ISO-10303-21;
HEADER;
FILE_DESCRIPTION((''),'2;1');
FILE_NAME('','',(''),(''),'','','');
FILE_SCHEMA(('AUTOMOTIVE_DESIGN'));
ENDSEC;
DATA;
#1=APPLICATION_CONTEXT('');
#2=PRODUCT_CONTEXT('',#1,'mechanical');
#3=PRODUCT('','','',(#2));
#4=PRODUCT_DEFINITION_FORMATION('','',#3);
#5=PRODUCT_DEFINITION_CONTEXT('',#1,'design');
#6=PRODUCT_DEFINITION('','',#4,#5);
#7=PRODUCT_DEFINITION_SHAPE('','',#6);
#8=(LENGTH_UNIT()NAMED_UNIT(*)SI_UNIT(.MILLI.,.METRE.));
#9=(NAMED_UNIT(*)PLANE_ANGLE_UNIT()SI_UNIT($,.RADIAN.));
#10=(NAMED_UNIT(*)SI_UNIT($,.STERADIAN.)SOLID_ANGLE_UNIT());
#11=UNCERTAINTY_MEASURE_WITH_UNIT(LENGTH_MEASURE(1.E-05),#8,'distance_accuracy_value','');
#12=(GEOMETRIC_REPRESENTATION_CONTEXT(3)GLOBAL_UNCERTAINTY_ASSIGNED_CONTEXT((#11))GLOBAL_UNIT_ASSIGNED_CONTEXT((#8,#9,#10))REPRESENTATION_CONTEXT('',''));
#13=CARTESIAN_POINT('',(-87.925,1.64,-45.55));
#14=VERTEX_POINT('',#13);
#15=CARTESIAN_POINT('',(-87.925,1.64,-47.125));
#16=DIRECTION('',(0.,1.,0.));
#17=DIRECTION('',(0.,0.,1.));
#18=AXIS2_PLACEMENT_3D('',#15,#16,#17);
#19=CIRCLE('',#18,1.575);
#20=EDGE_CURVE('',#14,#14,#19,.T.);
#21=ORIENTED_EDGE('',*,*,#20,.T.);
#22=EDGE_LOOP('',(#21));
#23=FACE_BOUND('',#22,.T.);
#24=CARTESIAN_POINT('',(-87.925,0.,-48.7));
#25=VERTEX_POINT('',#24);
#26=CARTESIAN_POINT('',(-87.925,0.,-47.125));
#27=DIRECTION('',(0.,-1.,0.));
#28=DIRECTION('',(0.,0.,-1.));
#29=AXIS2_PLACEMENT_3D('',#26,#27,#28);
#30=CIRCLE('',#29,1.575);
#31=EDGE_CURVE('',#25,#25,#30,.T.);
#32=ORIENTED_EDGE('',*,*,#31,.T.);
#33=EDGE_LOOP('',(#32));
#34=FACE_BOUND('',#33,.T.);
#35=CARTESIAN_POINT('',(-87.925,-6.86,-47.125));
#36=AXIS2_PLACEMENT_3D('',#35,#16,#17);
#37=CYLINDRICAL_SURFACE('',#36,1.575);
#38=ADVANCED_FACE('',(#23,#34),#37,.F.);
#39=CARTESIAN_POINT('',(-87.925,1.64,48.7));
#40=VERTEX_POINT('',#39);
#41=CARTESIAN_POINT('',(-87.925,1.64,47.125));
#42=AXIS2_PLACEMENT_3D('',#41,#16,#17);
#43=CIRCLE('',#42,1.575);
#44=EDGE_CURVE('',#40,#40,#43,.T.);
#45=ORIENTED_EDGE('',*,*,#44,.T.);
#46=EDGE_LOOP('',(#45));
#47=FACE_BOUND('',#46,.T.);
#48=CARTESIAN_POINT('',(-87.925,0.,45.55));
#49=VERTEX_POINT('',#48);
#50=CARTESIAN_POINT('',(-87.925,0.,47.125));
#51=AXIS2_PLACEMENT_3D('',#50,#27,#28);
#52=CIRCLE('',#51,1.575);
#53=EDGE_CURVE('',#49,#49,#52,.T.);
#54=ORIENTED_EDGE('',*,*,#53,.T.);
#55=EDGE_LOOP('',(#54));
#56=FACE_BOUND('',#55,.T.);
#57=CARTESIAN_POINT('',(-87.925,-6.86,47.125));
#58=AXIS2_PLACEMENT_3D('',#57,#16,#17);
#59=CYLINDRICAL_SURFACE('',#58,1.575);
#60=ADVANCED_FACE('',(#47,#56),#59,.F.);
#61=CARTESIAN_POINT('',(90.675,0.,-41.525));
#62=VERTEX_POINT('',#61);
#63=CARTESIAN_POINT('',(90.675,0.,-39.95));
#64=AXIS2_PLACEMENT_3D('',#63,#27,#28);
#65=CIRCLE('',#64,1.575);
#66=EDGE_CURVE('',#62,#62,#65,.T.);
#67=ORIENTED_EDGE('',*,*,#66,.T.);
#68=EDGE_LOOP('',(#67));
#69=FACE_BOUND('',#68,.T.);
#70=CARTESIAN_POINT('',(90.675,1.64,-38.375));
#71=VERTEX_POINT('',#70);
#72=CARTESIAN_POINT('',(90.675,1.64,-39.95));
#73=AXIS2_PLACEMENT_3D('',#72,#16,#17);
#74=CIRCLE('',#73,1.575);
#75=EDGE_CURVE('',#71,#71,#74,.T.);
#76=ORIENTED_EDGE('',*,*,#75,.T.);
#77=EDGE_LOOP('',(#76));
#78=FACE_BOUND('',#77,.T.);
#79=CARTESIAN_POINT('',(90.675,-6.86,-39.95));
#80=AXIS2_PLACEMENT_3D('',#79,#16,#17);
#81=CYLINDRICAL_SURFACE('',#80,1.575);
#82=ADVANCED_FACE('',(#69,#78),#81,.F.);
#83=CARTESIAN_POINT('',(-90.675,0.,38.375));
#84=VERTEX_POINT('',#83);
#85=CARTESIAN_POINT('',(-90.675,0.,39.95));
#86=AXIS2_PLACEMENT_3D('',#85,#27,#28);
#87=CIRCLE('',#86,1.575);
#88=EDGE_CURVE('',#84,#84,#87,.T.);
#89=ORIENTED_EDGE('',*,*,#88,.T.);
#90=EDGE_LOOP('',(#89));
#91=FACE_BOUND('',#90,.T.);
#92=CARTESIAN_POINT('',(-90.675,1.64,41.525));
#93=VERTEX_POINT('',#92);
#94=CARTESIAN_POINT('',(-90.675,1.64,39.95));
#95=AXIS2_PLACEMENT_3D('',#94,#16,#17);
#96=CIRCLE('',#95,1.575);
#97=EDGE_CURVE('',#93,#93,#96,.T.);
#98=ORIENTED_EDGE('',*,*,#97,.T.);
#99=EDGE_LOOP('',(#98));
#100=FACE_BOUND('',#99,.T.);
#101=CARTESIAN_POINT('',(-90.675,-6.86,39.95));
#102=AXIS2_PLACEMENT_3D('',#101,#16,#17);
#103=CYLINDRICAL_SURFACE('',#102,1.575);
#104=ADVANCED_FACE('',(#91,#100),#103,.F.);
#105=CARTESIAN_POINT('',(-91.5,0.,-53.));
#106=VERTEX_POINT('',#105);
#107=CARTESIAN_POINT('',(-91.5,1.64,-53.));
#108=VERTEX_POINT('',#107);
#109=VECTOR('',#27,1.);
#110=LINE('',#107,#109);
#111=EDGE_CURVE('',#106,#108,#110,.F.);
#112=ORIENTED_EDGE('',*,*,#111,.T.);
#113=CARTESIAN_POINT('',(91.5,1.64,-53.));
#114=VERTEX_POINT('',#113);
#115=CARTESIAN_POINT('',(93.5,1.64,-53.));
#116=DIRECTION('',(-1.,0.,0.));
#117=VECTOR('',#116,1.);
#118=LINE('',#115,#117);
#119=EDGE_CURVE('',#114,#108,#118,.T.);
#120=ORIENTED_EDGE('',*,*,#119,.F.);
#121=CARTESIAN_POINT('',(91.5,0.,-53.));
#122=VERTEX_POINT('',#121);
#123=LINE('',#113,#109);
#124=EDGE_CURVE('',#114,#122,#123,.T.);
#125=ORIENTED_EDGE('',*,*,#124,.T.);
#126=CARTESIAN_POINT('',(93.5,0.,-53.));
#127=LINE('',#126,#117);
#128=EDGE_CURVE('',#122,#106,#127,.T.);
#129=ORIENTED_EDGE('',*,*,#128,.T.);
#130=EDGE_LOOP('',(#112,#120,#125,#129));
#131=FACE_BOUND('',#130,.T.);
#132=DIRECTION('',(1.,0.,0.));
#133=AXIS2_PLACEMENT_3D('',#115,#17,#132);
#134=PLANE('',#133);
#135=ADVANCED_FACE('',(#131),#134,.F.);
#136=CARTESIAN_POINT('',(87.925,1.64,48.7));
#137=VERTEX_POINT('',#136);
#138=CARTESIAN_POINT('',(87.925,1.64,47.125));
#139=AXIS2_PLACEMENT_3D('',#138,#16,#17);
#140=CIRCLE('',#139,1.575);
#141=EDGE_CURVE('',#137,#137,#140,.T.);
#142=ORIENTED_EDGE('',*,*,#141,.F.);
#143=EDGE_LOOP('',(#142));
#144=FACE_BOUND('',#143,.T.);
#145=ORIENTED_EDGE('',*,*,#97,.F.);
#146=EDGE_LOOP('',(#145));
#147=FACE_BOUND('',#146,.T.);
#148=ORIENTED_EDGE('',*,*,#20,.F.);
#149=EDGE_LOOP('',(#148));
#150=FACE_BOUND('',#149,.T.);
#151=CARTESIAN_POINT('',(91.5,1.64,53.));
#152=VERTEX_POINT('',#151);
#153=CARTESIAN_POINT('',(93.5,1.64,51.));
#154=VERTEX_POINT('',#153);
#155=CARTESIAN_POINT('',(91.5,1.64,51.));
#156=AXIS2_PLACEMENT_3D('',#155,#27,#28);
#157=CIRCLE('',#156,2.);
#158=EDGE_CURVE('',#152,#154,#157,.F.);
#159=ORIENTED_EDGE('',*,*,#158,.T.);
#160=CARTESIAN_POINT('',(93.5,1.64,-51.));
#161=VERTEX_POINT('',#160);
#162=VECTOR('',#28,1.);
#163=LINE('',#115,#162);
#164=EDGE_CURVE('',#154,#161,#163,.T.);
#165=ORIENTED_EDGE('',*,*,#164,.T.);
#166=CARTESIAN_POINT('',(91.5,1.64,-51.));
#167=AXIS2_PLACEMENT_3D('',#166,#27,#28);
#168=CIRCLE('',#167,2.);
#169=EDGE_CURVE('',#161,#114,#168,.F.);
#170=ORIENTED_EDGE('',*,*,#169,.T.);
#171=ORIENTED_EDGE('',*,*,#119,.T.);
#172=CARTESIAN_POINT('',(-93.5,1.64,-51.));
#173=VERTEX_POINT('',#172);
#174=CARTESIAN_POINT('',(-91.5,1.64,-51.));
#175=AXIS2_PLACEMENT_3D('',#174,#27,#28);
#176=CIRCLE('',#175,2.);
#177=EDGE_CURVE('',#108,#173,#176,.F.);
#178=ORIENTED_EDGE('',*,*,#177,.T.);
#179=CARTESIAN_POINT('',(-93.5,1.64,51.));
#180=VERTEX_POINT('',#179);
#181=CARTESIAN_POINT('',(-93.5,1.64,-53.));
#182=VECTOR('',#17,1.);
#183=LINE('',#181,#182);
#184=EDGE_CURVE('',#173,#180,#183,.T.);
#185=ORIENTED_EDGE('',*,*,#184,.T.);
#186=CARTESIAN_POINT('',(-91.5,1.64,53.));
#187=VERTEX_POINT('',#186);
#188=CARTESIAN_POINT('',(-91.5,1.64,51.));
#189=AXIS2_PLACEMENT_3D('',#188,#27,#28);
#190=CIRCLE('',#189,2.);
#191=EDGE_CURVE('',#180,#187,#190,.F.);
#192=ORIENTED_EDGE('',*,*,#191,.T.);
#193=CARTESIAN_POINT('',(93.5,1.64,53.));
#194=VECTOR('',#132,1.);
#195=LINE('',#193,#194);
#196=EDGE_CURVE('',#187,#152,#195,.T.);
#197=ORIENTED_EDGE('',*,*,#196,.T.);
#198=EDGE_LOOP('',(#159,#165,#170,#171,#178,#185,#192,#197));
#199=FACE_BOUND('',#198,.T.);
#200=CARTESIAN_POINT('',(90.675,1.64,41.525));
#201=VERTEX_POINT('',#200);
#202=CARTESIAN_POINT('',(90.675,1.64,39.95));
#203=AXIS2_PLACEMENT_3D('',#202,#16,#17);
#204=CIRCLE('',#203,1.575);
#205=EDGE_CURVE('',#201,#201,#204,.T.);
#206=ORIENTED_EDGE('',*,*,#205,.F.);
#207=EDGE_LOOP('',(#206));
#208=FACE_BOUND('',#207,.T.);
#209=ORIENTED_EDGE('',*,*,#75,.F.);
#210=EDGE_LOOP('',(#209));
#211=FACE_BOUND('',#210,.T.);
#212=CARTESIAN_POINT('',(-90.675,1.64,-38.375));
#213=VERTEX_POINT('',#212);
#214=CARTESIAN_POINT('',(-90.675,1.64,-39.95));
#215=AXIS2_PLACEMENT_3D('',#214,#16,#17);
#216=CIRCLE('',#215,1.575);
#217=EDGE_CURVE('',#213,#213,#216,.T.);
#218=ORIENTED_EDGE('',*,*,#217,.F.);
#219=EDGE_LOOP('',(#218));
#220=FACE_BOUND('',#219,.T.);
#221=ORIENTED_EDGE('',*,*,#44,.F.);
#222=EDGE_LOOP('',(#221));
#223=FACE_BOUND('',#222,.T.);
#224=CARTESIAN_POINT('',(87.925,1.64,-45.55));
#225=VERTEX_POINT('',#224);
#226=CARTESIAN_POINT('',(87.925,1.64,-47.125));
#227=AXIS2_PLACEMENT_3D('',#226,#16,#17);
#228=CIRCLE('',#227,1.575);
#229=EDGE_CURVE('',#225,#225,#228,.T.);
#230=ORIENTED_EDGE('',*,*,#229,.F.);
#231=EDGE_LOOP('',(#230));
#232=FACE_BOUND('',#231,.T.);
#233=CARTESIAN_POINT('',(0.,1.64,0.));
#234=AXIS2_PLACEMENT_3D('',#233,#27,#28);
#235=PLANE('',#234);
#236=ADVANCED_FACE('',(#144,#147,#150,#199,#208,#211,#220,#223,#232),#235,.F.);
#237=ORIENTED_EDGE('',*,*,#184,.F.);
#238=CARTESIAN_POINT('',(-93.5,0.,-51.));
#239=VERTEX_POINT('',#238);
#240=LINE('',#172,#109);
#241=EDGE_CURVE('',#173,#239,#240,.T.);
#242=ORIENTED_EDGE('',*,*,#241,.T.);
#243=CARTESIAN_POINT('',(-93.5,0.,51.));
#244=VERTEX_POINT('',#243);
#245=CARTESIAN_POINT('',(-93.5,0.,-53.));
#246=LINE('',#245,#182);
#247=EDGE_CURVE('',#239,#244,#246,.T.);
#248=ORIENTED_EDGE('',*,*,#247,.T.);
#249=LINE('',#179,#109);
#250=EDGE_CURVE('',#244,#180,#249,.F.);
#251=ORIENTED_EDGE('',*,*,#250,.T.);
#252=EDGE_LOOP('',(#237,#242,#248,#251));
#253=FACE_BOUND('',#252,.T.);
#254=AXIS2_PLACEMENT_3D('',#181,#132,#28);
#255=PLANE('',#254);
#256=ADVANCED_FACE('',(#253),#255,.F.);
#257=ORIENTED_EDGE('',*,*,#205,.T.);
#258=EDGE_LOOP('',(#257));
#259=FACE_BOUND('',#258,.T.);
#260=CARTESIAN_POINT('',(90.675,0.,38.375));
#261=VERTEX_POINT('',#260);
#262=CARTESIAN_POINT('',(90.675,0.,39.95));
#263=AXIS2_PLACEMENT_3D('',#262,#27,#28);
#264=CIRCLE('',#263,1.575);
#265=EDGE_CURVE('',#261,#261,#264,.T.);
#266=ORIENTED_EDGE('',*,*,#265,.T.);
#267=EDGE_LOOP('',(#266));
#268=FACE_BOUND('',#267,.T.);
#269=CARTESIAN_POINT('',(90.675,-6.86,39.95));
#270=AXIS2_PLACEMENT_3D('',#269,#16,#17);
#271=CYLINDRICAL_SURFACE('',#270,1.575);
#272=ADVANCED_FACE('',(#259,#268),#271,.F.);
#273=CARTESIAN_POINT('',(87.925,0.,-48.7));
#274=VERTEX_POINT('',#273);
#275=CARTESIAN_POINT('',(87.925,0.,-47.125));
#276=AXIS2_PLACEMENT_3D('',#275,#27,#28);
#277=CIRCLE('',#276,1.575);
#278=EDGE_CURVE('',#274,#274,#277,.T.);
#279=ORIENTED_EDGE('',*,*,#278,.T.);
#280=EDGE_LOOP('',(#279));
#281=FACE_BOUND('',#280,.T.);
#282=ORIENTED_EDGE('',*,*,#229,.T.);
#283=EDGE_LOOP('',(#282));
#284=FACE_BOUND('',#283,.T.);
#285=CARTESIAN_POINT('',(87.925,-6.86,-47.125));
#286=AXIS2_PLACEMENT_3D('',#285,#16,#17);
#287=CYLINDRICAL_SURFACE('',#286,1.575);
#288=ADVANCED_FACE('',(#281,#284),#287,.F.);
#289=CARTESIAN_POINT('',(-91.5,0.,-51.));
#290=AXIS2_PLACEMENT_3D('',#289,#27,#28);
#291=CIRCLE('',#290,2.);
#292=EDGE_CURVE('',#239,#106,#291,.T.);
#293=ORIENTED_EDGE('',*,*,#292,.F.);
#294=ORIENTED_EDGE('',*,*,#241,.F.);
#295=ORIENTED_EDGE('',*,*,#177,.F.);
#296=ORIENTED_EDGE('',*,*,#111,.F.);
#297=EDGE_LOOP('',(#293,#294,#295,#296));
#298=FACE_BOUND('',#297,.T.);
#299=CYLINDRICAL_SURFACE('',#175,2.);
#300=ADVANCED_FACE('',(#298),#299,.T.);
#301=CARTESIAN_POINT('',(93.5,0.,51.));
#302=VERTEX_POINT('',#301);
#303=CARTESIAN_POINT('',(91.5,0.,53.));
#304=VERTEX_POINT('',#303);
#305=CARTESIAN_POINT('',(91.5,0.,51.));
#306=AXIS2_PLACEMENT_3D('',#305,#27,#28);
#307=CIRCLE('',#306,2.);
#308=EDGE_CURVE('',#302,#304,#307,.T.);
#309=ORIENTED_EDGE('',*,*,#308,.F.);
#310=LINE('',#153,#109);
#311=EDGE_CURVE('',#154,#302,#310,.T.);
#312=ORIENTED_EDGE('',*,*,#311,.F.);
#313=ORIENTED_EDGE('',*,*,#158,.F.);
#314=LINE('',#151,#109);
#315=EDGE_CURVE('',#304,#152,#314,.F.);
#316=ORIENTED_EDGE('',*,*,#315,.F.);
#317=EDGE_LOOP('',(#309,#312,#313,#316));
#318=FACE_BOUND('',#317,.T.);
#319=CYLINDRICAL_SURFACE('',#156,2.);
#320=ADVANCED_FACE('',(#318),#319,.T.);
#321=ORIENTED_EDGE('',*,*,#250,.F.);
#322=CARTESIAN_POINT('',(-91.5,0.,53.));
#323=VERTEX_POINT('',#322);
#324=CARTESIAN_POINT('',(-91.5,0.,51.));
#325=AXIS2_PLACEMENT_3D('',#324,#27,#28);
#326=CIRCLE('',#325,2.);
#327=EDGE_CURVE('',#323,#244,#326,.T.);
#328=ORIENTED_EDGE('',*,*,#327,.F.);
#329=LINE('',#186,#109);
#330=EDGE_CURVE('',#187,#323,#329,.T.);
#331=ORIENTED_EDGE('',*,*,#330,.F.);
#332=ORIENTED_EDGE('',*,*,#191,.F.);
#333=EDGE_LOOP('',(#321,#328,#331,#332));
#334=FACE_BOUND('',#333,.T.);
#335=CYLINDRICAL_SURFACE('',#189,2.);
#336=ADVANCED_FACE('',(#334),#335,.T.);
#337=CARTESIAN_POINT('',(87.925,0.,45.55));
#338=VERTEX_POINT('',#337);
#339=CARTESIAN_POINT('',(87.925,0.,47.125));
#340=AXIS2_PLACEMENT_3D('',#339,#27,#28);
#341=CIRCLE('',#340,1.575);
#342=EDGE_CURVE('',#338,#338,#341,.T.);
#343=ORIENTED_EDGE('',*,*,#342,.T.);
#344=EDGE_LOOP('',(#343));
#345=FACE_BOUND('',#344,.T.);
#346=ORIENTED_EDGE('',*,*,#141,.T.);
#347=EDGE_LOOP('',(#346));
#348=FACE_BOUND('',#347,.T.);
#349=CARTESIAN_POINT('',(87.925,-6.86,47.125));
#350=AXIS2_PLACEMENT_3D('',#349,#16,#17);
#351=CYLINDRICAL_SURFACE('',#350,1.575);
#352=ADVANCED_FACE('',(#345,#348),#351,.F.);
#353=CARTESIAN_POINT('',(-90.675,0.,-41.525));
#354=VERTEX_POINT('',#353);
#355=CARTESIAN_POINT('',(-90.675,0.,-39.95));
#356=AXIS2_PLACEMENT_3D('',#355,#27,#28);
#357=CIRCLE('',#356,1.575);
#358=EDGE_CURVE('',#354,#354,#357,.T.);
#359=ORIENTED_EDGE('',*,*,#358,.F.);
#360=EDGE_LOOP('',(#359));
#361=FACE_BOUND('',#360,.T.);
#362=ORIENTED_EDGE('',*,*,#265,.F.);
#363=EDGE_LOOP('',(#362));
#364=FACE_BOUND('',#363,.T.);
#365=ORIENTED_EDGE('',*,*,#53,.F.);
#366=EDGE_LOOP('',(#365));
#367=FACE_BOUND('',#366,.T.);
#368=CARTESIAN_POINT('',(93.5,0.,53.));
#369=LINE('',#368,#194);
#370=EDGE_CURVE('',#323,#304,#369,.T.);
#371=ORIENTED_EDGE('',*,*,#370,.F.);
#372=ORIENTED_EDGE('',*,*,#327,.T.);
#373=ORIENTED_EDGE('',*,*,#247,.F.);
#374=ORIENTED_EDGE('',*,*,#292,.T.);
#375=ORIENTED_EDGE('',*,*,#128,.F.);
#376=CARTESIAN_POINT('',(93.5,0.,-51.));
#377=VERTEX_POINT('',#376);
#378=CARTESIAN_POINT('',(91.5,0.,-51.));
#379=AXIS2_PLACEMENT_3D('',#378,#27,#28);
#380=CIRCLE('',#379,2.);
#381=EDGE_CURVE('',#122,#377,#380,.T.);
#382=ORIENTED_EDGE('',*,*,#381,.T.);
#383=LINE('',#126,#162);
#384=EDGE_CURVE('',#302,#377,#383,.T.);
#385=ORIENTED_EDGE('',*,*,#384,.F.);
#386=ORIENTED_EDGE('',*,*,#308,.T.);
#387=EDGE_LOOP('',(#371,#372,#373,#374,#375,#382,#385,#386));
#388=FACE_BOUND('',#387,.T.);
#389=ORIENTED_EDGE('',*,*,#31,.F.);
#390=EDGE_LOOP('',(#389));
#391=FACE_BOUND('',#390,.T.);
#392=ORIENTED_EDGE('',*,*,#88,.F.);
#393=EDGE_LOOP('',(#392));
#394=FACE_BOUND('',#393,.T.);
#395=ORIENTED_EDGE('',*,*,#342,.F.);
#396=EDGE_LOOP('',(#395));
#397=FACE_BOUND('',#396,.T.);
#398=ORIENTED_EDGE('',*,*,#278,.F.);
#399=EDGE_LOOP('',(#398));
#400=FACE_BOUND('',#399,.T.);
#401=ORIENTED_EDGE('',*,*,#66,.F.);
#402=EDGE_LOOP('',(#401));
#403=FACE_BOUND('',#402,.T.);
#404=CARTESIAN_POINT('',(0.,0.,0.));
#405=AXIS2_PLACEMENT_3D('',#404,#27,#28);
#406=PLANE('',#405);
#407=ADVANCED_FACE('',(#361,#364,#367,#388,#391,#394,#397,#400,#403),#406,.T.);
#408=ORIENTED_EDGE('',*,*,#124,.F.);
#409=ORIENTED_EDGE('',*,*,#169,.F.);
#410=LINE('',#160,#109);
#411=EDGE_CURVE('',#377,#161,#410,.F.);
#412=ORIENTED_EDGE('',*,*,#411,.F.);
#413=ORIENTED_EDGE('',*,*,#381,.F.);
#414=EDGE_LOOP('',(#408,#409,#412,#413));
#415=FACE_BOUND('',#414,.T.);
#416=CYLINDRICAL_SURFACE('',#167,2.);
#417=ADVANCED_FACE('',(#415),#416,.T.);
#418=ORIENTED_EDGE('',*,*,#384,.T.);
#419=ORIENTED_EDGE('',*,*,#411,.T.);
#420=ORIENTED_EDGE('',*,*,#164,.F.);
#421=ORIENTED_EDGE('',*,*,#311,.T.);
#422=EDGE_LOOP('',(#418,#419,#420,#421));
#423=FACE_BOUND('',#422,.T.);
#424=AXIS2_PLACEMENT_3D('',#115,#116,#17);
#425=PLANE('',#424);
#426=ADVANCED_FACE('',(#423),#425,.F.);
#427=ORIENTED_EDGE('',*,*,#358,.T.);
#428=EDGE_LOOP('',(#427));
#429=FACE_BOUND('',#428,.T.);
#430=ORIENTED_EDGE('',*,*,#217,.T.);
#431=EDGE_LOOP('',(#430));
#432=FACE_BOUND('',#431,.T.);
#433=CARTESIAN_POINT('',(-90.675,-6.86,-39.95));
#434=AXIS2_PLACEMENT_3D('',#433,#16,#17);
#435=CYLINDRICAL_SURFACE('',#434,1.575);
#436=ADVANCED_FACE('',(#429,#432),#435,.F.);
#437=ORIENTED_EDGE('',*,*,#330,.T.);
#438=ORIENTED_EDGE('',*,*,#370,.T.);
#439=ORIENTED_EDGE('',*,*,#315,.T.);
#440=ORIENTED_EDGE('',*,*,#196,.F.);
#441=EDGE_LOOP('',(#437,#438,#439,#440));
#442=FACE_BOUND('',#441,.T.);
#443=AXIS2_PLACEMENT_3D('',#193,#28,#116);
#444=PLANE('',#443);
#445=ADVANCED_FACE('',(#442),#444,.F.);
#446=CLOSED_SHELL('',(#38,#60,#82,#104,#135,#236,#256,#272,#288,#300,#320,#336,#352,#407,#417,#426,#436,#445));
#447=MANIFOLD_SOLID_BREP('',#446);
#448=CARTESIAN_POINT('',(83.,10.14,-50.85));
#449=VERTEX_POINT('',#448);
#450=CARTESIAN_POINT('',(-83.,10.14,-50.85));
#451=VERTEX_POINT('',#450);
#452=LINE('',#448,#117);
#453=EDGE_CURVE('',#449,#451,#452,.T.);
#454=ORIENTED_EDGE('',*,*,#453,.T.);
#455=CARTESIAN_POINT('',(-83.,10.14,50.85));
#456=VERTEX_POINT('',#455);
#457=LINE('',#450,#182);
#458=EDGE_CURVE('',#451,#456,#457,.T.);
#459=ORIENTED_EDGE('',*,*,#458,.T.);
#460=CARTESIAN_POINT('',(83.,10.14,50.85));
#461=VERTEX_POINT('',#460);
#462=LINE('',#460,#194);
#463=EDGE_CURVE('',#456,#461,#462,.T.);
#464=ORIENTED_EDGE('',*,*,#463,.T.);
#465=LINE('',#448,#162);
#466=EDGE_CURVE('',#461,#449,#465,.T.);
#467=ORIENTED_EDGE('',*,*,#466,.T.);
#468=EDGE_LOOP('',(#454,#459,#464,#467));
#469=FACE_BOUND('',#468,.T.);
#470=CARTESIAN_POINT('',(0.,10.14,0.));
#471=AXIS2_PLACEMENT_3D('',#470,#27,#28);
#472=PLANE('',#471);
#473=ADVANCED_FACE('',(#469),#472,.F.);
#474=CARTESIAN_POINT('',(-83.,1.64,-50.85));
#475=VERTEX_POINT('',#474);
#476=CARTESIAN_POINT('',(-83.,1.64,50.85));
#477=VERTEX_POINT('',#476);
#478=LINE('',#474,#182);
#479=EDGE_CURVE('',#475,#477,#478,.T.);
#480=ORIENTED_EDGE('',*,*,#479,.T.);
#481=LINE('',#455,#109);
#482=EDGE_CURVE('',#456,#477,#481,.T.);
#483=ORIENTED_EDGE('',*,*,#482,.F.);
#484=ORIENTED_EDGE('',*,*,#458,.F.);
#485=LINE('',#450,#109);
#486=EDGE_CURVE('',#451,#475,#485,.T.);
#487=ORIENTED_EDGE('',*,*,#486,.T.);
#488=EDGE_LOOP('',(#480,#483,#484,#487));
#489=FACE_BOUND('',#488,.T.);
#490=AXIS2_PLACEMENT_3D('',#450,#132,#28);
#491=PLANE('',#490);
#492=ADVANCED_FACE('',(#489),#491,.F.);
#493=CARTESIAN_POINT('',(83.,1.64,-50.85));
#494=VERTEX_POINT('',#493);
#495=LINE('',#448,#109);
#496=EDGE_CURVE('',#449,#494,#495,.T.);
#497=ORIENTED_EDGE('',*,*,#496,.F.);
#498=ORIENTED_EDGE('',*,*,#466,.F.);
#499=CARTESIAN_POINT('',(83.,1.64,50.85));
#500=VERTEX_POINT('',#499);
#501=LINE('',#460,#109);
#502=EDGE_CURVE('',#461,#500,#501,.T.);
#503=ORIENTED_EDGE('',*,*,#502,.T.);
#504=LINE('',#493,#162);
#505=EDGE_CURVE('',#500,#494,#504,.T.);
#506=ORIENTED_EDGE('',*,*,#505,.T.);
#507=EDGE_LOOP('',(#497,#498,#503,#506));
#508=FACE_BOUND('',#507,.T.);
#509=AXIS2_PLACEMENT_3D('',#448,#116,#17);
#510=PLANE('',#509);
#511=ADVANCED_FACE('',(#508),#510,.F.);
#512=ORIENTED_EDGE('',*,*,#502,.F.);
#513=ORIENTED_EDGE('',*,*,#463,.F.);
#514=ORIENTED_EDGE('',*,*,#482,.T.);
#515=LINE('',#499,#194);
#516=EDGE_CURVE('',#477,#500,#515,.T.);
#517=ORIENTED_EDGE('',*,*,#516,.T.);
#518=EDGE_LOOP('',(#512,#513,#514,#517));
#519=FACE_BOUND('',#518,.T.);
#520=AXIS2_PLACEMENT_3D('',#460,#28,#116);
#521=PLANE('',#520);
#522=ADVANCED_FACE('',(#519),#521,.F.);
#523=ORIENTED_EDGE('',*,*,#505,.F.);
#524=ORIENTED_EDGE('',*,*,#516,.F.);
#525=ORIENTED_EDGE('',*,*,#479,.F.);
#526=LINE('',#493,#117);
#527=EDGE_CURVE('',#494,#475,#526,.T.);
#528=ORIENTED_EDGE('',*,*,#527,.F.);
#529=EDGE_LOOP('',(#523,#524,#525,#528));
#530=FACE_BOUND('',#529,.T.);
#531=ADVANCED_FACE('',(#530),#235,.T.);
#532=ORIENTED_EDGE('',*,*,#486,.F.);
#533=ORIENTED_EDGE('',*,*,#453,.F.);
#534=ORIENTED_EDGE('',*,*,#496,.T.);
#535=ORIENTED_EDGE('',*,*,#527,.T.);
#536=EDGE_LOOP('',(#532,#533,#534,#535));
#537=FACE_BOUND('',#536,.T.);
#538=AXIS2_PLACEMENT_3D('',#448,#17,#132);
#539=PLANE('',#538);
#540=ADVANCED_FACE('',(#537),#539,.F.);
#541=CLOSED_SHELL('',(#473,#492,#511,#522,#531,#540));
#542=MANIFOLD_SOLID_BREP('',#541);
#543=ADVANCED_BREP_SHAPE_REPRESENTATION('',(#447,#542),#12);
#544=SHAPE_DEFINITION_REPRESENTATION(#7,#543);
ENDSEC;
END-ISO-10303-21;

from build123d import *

# Parameters (mm, degrees)
SKETCH1_W      = 187
SKETCH1_H      = 106
EXTRUDE1_DEPTH = 1.64
SKETCH2_W      = 166
SKETCH2_H      = 101.7
EXTRUDE2_DEPTH = 8.5
FILLET1_R      = 2
SKETCH3_R      = 1.575
EXTRUDE3_DEPTH = 8.5


with BuildPart() as part:
    # Sketch1 → Extrude1 (new body)
    with BuildSketch(Plane(origin=(0, 0, 0), x_dir=(1, 0, 0), z_dir=(0, 1, 0))):
        Rectangle(SKETCH1_W, SKETCH1_H)
    extrude(amount=EXTRUDE1_DEPTH)

    # Fillet1
    fillet1_edges = [part.edges().sort_by_distance(p)[0] for p in [
        (-93.5, 0.82, -53),
        (93.5, 0.82, -53),
        (93.5, 0.82, 53),
        (-93.5, 0.82, 53),
    ]]
    fillet(fillet1_edges, radius=FILLET1_R)

    # Sketch3 → Extrude3 (cut)
    with BuildSketch(Plane(origin=(0, 1.64, 0), x_dir=(1, 0, 0), z_dir=(0, 1, 0))):
        with Locations(Location((87.925, 47.125, 0), (0, 0, 270))):
            Circle(SKETCH3_R)
        with Locations(Location((90.675, 39.95, 0), (0, 0, 270))):
            Circle(SKETCH3_R)
        with Locations(Location((90.675, -39.95, 0), (0, 0, 270))):
            Circle(SKETCH3_R)
        with Locations(Location((87.925, -47.125, 0), (0, 0, 270))):
            Circle(SKETCH3_R)
        with Locations(Location((-87.925, -47.125, 0), (0, 0, 270))):
            Circle(SKETCH3_R)
        with Locations(Location((-90.675, -39.95, 0), (0, 0, 270))):
            Circle(SKETCH3_R)
        with Locations(Location((-87.925, 47.125, 0), (0, 0, 270))):
            Circle(SKETCH3_R)
        with Locations(Location((-90.675, 39.95, 0), (0, 0, 270))):
            Circle(SKETCH3_R)
    extrude(amount=-EXTRUDE3_DEPTH, mode=Mode.SUBTRACT)


with BuildPart() as body_2:
    # Sketch2 → Extrude2 (new body)
    with BuildSketch(Plane(origin=(0, 1.64, 0), x_dir=(1, 0, 0), z_dir=(0, 1, 0))):
        Rectangle(SKETCH2_W, SKETCH2_H)
    extrude(amount=EXTRUDE2_DEPTH)


solid = Compound([part.part, body_2.part])
